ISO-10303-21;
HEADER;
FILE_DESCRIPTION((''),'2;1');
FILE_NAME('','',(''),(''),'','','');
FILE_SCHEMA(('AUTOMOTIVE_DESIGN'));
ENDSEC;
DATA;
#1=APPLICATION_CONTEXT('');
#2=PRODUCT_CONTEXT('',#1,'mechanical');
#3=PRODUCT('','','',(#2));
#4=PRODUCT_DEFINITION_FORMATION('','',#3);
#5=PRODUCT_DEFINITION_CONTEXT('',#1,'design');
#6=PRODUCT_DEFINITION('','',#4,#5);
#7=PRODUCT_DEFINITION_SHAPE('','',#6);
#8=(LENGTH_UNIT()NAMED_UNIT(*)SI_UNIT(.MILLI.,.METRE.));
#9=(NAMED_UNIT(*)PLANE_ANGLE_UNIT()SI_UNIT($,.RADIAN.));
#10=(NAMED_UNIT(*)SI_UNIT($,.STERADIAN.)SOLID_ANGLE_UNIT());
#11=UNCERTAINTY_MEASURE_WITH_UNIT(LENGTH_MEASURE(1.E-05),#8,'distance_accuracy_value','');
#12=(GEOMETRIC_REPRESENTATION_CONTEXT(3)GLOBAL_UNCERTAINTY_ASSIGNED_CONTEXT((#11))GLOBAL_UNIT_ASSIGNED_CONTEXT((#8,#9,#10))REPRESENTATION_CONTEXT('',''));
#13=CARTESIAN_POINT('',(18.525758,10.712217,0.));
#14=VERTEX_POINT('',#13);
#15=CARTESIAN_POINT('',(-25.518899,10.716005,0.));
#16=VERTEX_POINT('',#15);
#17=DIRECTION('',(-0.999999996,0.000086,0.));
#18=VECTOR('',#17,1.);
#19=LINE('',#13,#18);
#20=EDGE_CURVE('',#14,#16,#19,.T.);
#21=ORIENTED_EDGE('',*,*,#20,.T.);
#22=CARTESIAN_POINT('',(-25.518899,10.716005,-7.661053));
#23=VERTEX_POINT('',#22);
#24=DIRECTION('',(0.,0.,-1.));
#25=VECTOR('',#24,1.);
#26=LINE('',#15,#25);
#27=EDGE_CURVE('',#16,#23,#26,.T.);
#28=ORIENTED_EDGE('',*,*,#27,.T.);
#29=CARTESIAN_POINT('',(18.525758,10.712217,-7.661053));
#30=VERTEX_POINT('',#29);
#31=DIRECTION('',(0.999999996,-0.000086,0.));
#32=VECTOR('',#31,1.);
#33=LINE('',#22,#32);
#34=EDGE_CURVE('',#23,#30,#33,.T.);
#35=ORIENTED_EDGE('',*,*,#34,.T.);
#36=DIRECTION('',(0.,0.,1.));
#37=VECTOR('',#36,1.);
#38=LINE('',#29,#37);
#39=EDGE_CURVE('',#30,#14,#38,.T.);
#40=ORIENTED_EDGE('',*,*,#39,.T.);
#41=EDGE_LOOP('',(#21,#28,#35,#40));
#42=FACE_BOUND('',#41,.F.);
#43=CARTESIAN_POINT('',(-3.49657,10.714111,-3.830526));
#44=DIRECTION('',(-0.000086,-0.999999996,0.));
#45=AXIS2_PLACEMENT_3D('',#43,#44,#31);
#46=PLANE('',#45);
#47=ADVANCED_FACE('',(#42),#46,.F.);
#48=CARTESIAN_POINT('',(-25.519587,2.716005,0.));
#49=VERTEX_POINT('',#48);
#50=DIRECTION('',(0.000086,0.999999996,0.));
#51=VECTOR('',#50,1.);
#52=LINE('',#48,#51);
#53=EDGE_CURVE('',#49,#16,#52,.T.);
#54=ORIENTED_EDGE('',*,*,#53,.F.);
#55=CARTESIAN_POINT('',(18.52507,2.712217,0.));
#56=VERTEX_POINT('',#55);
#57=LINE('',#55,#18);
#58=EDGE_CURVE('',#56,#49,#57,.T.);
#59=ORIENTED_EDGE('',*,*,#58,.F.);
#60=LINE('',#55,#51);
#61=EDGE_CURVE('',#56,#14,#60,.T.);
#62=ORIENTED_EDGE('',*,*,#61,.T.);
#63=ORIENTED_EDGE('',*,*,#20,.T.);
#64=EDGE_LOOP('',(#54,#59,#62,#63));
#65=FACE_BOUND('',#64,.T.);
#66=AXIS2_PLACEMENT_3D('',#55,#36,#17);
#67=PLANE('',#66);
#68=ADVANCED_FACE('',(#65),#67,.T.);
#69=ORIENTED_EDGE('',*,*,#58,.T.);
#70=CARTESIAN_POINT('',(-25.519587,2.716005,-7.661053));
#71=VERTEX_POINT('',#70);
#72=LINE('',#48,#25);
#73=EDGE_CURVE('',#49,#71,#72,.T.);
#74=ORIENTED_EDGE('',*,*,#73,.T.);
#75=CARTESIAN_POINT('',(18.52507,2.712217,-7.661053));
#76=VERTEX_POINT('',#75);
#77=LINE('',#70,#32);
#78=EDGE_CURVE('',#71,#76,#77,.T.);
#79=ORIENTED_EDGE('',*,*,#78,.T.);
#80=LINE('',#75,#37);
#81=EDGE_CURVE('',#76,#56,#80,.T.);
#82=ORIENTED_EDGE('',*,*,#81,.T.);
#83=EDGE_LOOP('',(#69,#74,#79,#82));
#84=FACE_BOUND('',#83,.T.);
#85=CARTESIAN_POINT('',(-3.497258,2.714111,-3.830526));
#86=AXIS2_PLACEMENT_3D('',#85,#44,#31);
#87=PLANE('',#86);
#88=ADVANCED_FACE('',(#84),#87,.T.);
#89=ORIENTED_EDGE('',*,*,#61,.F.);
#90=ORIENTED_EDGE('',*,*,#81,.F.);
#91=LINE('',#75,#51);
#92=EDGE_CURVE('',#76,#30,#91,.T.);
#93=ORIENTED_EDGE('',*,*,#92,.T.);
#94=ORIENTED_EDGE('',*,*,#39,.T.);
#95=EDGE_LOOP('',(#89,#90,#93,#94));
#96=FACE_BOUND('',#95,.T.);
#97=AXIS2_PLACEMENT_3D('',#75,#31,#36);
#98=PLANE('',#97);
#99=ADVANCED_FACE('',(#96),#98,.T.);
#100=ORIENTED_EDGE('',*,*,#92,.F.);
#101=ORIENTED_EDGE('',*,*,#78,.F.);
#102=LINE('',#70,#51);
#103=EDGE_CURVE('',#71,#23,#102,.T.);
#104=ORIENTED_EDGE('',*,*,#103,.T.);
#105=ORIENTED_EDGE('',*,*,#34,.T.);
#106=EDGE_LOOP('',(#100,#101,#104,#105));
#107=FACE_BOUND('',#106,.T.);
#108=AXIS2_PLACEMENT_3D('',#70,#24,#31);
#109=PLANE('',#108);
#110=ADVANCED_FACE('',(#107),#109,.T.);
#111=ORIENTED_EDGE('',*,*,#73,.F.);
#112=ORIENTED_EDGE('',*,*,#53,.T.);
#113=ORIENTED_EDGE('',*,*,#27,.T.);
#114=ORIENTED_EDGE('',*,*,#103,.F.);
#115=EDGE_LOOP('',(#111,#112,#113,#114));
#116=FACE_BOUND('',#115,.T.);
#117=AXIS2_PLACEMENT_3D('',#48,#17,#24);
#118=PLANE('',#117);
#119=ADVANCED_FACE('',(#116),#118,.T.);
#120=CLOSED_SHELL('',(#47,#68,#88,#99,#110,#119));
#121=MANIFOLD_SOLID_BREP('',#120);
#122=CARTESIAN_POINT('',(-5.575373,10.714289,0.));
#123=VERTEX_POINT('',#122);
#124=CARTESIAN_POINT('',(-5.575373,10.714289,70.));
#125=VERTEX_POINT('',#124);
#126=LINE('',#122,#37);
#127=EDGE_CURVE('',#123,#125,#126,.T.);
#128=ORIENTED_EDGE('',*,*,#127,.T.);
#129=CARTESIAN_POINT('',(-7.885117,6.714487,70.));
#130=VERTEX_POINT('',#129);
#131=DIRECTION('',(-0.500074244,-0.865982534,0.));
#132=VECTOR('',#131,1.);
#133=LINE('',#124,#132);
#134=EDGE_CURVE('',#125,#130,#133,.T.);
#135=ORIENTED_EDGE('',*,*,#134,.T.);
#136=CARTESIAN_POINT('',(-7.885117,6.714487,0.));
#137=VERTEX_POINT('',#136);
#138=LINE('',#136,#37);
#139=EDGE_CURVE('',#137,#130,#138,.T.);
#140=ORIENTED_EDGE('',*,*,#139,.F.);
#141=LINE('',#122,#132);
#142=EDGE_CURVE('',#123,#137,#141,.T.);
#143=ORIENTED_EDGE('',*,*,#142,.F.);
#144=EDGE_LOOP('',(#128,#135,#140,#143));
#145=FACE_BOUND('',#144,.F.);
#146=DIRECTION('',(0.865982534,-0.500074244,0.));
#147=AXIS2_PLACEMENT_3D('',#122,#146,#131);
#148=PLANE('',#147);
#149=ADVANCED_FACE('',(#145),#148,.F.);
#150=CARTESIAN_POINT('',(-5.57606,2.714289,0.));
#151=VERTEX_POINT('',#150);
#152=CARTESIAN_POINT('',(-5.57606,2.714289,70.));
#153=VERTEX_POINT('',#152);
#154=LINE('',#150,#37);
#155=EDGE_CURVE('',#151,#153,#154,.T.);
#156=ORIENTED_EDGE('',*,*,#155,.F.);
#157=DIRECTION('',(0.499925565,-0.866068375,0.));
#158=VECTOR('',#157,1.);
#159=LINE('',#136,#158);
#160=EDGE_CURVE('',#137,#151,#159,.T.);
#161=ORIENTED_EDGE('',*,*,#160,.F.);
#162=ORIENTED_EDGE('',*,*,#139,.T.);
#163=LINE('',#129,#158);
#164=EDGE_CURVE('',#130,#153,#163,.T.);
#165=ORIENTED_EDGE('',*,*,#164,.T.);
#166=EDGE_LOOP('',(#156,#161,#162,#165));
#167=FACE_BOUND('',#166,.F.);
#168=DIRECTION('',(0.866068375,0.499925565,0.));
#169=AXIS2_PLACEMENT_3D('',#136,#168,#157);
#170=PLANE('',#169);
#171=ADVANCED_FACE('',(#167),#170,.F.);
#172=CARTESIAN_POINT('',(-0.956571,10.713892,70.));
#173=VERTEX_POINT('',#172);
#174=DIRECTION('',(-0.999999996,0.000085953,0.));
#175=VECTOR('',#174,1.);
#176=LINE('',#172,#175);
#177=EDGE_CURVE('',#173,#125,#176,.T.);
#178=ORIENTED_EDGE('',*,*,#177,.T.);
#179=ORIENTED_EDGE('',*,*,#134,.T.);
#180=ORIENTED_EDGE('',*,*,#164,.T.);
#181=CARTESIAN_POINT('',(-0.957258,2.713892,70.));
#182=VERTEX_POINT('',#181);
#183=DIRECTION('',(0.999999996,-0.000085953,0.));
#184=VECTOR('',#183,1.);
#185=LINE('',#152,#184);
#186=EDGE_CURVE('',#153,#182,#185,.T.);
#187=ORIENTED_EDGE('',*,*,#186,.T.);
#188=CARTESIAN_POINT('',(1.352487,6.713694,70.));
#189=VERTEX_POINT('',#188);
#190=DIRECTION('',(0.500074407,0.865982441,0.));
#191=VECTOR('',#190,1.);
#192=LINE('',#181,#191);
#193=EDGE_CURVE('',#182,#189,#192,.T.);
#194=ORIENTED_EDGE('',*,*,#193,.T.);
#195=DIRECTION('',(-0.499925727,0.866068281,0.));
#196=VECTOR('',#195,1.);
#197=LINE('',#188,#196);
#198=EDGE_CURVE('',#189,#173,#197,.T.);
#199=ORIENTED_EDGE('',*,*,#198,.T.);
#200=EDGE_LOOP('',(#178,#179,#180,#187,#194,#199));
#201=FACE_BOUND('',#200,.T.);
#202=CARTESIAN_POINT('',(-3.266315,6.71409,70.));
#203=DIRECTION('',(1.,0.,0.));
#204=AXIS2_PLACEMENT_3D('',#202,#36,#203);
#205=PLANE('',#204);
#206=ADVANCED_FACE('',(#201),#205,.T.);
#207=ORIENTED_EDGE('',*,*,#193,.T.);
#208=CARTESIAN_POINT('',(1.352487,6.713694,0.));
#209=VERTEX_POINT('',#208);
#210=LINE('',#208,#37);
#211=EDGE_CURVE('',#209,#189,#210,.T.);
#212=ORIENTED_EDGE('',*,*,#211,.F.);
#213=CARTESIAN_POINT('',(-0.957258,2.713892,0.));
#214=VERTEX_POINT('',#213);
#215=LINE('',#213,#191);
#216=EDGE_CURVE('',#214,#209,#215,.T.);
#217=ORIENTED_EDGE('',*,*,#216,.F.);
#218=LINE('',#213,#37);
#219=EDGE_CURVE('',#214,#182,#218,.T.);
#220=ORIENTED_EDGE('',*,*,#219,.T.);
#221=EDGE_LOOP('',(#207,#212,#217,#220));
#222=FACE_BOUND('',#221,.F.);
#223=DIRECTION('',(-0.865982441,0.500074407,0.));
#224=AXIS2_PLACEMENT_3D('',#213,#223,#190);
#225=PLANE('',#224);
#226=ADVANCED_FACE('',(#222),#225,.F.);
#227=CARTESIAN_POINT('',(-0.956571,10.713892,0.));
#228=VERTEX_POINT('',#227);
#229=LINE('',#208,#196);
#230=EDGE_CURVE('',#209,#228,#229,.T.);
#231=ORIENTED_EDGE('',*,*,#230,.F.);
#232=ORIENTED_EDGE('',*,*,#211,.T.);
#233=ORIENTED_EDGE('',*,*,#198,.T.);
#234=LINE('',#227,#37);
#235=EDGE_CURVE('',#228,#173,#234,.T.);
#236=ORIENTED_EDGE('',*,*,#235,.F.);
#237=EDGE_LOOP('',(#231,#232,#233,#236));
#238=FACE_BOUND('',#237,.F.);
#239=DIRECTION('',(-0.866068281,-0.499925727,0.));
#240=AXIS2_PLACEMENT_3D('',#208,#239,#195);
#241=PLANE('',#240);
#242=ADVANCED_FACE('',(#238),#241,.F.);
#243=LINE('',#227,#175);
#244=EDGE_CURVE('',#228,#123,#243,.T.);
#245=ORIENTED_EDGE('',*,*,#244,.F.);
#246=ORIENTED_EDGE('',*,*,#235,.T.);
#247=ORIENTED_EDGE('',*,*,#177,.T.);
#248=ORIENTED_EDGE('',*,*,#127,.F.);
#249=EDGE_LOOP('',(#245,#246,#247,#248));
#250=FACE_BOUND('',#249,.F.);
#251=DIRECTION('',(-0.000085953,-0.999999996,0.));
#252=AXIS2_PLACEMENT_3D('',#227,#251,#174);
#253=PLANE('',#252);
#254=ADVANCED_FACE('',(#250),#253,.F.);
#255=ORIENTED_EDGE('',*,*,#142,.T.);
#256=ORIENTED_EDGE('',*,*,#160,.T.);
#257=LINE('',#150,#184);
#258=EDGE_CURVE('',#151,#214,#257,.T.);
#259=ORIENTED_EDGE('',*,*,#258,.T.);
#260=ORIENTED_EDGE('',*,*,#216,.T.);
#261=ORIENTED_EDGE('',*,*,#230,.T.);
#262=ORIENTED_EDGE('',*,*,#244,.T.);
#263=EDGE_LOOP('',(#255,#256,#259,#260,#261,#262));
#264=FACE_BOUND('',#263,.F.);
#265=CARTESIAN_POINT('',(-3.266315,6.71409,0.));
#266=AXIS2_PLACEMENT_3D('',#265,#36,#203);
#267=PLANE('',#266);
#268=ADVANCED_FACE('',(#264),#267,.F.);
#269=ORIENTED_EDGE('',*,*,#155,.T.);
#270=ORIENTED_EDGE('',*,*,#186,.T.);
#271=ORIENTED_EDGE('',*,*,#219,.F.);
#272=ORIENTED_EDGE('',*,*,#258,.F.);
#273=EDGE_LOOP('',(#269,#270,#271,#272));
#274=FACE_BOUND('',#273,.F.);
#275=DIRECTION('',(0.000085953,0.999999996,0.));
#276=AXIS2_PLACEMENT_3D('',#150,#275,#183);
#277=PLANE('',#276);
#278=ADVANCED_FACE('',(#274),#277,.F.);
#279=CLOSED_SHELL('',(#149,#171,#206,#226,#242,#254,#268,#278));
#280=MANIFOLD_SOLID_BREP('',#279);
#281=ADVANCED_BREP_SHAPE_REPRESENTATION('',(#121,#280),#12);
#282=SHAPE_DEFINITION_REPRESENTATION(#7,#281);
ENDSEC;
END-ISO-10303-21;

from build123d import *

# Parameters (mm, degrees)
F1_DEPTH = 70
F3_DEPTH = 8


with BuildPart() as f1:
    # F0 (on Top) → F1 (new body)
    with BuildSketch(Plane.XY):
        Polygon((-0.957258, 2.713892), (1.352487, 6.713694), (-0.956571, 10.713892), (-5.575373, 10.714289), (-7.885117, 6.714487), (-5.57606, 2.714289), align=None)
    extrude(amount=F1_DEPTH)


with BuildPart() as f3:
    # F2 (on face) → F3 (new body)
    with BuildSketch(Plane(origin=(0.000233, 2.71381, 0), x_dir=(1, -8.6e-05, 0), z_dir=(-8.6e-05, -1, 0))):
        Polygon((-5.576293, 0), (-25.51982, 0), (-25.51982, -7.661053), (18.524837, -7.661053), (18.524837, 0), (-0.957491, 0), align=None)
    extrude(amount=-F3_DEPTH)


solid = Compound([f1.part, f3.part])
